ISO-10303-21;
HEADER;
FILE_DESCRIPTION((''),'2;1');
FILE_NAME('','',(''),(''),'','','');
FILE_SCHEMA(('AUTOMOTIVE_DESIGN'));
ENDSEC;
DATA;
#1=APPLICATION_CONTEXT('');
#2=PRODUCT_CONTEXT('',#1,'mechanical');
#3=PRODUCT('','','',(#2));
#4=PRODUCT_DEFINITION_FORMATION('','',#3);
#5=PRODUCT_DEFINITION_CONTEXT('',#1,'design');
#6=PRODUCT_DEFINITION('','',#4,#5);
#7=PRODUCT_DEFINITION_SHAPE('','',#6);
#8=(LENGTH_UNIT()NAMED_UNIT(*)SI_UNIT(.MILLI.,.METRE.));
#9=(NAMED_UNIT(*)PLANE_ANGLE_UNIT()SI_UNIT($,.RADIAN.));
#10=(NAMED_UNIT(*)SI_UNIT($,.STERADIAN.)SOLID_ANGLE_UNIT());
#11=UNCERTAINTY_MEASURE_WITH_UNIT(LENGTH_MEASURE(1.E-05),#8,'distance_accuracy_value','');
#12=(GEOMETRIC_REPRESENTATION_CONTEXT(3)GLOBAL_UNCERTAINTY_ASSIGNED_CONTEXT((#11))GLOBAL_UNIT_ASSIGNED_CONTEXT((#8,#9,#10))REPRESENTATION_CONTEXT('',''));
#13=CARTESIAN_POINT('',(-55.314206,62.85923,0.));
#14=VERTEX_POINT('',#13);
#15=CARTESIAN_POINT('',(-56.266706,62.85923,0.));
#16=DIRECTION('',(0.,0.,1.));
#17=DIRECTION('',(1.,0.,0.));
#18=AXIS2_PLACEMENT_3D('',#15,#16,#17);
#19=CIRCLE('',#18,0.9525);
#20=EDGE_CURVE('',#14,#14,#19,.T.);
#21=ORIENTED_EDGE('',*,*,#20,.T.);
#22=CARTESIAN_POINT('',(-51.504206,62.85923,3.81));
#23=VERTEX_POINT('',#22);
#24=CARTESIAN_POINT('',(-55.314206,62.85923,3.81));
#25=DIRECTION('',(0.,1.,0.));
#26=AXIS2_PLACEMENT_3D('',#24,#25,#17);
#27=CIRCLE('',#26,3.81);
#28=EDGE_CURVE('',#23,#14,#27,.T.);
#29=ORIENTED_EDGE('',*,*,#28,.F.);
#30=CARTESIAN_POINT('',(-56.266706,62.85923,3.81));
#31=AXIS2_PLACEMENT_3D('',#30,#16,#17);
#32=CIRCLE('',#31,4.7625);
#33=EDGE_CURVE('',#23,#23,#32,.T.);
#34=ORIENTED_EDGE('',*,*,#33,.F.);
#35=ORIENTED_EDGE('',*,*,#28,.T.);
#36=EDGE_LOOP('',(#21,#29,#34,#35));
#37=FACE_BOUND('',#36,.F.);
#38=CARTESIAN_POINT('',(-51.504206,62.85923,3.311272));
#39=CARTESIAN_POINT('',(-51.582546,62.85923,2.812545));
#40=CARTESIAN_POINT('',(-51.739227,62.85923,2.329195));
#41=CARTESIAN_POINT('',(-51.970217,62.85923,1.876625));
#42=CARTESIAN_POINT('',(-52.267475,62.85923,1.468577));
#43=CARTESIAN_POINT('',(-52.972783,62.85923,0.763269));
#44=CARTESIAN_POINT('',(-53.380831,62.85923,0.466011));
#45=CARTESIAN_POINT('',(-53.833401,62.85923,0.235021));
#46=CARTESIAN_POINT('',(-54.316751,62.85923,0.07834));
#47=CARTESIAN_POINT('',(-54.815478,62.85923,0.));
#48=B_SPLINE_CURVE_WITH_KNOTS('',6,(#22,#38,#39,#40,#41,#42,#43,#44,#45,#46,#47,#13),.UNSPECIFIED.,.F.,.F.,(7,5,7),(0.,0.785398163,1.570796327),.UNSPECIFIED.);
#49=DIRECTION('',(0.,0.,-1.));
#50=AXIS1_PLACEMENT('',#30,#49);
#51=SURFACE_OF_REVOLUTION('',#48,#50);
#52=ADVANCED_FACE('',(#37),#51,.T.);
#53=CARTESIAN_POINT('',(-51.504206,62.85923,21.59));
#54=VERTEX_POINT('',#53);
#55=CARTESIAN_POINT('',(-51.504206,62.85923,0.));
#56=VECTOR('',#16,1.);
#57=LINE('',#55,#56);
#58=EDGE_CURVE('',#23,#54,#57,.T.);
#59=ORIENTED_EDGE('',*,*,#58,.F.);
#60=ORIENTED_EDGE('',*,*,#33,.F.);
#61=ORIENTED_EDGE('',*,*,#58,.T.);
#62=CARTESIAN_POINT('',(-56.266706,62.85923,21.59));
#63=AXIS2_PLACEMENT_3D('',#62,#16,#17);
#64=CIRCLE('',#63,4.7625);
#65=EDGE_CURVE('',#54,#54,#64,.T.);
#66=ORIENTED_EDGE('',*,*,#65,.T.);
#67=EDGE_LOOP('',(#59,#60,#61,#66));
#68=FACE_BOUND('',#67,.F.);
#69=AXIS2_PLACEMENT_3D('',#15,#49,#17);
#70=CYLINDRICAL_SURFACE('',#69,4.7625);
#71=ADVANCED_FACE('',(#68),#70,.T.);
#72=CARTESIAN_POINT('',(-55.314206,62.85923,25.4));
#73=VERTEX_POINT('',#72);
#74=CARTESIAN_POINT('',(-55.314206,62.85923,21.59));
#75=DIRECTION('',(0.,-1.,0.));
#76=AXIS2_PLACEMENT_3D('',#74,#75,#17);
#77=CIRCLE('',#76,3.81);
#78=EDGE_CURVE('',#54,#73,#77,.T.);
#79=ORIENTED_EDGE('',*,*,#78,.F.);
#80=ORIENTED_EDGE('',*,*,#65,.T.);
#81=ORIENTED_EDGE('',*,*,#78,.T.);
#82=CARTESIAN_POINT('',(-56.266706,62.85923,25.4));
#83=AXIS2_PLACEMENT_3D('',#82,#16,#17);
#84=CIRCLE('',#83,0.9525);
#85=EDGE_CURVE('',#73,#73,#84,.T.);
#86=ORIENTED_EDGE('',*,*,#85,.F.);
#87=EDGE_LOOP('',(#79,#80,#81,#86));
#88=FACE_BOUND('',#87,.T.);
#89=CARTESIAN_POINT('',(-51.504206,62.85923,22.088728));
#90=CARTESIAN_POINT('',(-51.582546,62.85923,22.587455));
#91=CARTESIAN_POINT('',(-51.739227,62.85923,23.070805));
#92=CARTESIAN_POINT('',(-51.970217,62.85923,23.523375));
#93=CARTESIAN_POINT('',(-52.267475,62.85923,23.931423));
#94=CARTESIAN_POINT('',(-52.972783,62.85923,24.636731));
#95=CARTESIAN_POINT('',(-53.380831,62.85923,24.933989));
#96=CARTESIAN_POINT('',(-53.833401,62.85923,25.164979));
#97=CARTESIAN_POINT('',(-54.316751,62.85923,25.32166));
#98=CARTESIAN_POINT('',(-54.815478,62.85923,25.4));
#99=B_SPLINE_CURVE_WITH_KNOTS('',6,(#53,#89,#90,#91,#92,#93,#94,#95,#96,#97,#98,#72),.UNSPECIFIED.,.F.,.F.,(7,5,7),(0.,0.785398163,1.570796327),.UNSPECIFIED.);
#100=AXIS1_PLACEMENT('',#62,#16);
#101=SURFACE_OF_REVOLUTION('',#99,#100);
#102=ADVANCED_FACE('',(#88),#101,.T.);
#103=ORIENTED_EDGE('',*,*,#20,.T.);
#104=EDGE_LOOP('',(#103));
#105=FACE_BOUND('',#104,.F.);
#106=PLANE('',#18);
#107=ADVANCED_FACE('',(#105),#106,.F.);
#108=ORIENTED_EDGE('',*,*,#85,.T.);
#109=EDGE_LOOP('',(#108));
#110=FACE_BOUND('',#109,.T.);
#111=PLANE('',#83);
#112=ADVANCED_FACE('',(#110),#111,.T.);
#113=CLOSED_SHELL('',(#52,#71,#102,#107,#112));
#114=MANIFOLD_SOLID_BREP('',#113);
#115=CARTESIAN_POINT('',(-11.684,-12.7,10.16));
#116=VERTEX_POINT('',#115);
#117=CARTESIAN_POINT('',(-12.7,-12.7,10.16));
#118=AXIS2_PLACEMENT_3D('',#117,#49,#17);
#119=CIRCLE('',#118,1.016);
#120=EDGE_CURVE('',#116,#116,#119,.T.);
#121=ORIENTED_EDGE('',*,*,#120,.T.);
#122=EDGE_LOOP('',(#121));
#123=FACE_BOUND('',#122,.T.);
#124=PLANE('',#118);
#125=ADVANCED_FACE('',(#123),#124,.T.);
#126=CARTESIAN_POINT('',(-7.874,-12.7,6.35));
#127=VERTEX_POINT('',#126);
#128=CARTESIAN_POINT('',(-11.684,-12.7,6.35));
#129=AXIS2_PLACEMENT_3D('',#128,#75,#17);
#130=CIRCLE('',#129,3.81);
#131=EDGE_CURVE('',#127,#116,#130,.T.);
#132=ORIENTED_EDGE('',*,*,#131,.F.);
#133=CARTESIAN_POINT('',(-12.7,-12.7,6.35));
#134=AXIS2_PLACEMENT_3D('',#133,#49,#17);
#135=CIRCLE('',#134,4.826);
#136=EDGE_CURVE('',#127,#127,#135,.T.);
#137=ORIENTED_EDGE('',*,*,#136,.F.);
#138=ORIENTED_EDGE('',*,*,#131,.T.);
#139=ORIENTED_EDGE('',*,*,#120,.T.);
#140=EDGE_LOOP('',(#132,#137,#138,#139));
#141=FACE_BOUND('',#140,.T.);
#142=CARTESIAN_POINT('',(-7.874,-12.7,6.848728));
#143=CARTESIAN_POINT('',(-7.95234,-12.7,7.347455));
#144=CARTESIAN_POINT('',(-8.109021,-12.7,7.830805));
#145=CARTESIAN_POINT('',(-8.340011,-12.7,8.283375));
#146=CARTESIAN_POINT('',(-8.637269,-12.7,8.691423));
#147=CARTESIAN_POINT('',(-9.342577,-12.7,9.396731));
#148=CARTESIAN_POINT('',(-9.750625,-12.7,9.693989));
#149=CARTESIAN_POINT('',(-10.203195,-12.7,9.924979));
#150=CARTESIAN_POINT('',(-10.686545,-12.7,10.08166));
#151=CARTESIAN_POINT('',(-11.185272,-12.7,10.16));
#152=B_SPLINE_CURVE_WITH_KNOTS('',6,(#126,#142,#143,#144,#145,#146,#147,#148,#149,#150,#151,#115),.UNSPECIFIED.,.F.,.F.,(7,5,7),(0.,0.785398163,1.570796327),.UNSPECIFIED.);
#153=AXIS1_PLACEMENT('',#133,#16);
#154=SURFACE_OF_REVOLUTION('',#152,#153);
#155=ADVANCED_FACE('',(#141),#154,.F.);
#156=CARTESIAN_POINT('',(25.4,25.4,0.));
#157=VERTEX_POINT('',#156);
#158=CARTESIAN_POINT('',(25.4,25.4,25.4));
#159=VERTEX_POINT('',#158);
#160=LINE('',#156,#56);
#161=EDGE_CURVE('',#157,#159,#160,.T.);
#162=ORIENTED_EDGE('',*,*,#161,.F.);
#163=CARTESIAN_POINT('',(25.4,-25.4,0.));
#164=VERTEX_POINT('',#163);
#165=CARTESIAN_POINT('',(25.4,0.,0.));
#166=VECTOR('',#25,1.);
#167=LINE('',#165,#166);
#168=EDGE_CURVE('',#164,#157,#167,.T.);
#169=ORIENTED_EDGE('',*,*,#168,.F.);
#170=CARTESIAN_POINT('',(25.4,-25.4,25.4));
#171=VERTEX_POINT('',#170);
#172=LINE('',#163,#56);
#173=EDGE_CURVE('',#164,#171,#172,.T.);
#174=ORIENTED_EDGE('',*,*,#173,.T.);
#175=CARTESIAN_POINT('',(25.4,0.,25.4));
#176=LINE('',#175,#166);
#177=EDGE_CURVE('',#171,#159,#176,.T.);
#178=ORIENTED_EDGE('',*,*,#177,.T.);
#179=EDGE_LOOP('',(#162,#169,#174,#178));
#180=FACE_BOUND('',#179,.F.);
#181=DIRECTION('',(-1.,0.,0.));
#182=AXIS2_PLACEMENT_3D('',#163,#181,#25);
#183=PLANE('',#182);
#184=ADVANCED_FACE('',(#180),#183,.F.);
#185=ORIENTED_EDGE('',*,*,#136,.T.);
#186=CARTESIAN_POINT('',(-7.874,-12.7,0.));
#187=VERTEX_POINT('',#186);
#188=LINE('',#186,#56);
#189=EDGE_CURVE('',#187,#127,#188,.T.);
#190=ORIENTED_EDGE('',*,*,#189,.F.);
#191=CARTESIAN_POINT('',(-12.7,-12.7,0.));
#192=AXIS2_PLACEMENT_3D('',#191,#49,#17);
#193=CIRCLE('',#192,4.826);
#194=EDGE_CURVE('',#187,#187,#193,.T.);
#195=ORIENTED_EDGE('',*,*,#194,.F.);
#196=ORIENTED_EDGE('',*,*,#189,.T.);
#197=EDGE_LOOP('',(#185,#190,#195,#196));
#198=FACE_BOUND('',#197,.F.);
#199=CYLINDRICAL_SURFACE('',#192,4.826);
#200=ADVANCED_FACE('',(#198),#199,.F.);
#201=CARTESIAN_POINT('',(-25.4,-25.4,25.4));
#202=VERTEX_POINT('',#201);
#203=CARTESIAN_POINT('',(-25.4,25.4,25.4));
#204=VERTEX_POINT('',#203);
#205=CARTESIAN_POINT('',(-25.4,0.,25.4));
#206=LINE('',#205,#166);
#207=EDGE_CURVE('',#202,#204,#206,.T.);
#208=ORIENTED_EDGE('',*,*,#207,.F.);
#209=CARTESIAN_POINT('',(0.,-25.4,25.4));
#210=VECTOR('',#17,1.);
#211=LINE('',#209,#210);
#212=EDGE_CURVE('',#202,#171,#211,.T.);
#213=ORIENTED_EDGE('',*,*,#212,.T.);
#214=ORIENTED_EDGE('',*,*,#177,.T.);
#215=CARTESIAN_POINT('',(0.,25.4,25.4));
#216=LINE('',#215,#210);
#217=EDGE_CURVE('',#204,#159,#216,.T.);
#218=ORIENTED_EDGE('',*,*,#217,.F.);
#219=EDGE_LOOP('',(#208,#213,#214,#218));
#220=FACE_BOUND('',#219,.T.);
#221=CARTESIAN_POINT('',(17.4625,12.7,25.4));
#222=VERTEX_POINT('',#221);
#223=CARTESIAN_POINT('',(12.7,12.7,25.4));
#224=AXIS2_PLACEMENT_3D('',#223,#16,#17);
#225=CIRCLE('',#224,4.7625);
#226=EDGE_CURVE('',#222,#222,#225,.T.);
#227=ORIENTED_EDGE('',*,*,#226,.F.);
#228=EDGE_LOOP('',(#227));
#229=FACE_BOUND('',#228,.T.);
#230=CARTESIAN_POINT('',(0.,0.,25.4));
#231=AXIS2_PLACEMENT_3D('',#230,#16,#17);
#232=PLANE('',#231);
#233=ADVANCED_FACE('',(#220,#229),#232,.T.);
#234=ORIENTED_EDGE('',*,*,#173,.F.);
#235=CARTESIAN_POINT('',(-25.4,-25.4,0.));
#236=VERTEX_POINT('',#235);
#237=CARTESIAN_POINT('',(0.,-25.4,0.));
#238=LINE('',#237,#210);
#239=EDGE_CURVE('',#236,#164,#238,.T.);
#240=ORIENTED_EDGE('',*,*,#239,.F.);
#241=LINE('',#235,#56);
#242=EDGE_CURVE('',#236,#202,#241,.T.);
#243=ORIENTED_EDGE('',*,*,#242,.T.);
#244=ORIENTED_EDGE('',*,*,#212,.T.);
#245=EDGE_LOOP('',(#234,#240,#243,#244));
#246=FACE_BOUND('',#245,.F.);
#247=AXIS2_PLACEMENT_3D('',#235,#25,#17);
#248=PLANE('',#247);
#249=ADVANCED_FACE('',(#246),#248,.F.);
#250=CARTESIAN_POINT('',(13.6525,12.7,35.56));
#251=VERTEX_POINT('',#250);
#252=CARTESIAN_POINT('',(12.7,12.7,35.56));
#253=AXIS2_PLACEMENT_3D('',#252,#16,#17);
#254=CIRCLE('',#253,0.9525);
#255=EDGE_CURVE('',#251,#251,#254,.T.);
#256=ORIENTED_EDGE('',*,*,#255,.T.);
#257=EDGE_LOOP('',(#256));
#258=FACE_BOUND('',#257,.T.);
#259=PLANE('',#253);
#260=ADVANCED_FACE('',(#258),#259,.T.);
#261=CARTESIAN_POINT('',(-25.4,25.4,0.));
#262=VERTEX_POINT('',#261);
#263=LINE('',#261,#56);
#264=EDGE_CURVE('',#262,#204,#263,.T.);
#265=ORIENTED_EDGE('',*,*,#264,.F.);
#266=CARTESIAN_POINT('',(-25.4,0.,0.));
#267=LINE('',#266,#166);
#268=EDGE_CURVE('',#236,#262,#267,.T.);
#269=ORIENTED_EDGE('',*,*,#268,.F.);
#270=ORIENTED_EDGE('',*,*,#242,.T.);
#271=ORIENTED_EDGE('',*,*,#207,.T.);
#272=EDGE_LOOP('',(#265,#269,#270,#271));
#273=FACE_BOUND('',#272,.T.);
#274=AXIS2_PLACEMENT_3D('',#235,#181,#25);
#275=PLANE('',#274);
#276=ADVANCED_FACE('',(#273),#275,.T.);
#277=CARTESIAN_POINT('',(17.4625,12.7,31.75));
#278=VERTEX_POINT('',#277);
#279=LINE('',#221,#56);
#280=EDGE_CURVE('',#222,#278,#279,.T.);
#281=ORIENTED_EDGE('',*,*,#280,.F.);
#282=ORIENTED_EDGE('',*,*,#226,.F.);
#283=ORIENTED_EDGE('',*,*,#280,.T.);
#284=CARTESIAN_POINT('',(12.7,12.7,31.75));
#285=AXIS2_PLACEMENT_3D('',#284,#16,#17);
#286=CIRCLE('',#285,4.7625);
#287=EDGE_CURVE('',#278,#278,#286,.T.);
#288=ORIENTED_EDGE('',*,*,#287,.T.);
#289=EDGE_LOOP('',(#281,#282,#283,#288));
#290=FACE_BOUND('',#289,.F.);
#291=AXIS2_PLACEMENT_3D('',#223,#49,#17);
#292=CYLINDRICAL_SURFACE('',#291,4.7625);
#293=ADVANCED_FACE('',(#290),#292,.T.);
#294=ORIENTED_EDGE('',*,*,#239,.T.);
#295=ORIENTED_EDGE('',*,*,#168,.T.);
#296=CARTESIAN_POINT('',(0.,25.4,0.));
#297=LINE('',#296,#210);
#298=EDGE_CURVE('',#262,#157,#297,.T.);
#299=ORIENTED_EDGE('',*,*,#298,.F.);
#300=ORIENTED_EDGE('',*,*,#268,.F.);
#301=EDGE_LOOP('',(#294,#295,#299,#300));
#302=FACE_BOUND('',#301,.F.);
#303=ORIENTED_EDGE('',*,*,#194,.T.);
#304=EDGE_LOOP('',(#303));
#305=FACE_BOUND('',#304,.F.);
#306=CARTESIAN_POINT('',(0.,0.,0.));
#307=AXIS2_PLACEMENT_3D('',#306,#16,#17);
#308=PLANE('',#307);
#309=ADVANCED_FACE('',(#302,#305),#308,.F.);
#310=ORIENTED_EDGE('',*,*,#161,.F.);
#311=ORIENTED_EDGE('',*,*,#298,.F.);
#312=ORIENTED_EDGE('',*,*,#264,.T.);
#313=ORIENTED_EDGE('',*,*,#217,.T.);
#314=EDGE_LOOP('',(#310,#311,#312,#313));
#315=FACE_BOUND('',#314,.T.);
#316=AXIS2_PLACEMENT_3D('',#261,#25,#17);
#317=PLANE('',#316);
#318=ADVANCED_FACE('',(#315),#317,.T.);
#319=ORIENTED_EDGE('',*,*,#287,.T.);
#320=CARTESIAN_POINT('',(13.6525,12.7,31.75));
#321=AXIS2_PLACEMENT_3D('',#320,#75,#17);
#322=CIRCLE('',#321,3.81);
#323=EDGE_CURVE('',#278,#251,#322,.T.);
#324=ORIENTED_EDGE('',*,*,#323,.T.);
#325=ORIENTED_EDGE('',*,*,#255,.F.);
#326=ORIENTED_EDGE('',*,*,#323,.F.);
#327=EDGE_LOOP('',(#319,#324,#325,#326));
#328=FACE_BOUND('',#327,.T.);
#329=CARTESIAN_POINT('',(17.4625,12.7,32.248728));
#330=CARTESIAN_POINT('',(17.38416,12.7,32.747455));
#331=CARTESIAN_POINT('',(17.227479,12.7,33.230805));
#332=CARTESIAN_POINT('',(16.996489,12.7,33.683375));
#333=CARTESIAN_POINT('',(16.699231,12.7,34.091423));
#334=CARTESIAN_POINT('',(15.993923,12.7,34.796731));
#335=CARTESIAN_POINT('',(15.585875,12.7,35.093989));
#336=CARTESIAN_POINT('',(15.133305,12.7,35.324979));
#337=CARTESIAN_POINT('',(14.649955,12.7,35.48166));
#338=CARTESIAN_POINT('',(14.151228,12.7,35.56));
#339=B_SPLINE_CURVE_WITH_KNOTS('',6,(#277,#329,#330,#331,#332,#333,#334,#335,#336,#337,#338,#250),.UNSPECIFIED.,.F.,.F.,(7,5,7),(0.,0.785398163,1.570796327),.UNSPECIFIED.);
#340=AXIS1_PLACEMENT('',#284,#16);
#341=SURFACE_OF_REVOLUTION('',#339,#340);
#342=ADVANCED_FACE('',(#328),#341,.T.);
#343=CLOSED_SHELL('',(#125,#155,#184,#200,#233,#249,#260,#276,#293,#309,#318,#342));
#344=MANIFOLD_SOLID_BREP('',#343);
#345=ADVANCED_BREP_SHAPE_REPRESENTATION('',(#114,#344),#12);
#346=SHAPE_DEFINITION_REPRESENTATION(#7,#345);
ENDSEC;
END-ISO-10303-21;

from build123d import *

# Parameters (mm, degrees)
F0_W     = 50.8
F0_H     = 50.8
F1_DEPTH = 25.4
F2_R     = 4.7625
F3_DEPTH = 10.16
F4_R     = 3.81
F5_R     = 4.826
F6_DEPTH = 10.16
F7_R     = 3.81
F8_R     = 4.7625
F9_DEPTH = 25.4
F10_R    = 3.81


with BuildPart() as f1:
    # F0 (on Top) → F1 (new body)
    with BuildSketch(Plane.XY):
        Rectangle(F0_W, F0_H)
    extrude(amount=F1_DEPTH)

    # F2 (on face) → F3 (join)
    with BuildSketch(Plane.XY.offset(25.4)):
        with Locations((12.7, 12.7)):
            Circle(F2_R)
    extrude(amount=F3_DEPTH)

    # F4
    f4_edges = [f1.edges().sort_by_distance(p)[0] for p in [
        (7.9375, 12.7, 35.56),
    ]]
    fillet(f4_edges, radius=F4_R)

    # F5 (on face) → F6 (cut)
    with BuildSketch(Plane(origin=(0, 0, 0), x_dir=(1, 0, 0), z_dir=(0, 0, -1))):
        with Locations((-12.7, 12.7)):
            Circle(F5_R)
    extrude(amount=-F6_DEPTH, mode=Mode.SUBTRACT)

    # F7
    f7_edges = [f1.edges().sort_by_distance(p)[0] for p in [
        (-17.526, -12.7, 10.16),
    ]]
    fillet(f7_edges, radius=F7_R)


with BuildPart() as f9:
    # F8 (on Top) → F9 (new body)
    with BuildSketch(Plane.XY):
        with Locations((-56.266706, 62.85923)):
            Circle(F8_R)
    extrude(amount=F9_DEPTH)

    # F10
    f10_edges = [f9.edges().sort_by_distance(p)[0] for p in [
        (-61.029206, 62.85923, 25.4),
        (-61.029206, 62.85923, 0),
    ]]
    fillet(f10_edges, radius=F10_R)


solid = Compound([f1.part, f9.part])
